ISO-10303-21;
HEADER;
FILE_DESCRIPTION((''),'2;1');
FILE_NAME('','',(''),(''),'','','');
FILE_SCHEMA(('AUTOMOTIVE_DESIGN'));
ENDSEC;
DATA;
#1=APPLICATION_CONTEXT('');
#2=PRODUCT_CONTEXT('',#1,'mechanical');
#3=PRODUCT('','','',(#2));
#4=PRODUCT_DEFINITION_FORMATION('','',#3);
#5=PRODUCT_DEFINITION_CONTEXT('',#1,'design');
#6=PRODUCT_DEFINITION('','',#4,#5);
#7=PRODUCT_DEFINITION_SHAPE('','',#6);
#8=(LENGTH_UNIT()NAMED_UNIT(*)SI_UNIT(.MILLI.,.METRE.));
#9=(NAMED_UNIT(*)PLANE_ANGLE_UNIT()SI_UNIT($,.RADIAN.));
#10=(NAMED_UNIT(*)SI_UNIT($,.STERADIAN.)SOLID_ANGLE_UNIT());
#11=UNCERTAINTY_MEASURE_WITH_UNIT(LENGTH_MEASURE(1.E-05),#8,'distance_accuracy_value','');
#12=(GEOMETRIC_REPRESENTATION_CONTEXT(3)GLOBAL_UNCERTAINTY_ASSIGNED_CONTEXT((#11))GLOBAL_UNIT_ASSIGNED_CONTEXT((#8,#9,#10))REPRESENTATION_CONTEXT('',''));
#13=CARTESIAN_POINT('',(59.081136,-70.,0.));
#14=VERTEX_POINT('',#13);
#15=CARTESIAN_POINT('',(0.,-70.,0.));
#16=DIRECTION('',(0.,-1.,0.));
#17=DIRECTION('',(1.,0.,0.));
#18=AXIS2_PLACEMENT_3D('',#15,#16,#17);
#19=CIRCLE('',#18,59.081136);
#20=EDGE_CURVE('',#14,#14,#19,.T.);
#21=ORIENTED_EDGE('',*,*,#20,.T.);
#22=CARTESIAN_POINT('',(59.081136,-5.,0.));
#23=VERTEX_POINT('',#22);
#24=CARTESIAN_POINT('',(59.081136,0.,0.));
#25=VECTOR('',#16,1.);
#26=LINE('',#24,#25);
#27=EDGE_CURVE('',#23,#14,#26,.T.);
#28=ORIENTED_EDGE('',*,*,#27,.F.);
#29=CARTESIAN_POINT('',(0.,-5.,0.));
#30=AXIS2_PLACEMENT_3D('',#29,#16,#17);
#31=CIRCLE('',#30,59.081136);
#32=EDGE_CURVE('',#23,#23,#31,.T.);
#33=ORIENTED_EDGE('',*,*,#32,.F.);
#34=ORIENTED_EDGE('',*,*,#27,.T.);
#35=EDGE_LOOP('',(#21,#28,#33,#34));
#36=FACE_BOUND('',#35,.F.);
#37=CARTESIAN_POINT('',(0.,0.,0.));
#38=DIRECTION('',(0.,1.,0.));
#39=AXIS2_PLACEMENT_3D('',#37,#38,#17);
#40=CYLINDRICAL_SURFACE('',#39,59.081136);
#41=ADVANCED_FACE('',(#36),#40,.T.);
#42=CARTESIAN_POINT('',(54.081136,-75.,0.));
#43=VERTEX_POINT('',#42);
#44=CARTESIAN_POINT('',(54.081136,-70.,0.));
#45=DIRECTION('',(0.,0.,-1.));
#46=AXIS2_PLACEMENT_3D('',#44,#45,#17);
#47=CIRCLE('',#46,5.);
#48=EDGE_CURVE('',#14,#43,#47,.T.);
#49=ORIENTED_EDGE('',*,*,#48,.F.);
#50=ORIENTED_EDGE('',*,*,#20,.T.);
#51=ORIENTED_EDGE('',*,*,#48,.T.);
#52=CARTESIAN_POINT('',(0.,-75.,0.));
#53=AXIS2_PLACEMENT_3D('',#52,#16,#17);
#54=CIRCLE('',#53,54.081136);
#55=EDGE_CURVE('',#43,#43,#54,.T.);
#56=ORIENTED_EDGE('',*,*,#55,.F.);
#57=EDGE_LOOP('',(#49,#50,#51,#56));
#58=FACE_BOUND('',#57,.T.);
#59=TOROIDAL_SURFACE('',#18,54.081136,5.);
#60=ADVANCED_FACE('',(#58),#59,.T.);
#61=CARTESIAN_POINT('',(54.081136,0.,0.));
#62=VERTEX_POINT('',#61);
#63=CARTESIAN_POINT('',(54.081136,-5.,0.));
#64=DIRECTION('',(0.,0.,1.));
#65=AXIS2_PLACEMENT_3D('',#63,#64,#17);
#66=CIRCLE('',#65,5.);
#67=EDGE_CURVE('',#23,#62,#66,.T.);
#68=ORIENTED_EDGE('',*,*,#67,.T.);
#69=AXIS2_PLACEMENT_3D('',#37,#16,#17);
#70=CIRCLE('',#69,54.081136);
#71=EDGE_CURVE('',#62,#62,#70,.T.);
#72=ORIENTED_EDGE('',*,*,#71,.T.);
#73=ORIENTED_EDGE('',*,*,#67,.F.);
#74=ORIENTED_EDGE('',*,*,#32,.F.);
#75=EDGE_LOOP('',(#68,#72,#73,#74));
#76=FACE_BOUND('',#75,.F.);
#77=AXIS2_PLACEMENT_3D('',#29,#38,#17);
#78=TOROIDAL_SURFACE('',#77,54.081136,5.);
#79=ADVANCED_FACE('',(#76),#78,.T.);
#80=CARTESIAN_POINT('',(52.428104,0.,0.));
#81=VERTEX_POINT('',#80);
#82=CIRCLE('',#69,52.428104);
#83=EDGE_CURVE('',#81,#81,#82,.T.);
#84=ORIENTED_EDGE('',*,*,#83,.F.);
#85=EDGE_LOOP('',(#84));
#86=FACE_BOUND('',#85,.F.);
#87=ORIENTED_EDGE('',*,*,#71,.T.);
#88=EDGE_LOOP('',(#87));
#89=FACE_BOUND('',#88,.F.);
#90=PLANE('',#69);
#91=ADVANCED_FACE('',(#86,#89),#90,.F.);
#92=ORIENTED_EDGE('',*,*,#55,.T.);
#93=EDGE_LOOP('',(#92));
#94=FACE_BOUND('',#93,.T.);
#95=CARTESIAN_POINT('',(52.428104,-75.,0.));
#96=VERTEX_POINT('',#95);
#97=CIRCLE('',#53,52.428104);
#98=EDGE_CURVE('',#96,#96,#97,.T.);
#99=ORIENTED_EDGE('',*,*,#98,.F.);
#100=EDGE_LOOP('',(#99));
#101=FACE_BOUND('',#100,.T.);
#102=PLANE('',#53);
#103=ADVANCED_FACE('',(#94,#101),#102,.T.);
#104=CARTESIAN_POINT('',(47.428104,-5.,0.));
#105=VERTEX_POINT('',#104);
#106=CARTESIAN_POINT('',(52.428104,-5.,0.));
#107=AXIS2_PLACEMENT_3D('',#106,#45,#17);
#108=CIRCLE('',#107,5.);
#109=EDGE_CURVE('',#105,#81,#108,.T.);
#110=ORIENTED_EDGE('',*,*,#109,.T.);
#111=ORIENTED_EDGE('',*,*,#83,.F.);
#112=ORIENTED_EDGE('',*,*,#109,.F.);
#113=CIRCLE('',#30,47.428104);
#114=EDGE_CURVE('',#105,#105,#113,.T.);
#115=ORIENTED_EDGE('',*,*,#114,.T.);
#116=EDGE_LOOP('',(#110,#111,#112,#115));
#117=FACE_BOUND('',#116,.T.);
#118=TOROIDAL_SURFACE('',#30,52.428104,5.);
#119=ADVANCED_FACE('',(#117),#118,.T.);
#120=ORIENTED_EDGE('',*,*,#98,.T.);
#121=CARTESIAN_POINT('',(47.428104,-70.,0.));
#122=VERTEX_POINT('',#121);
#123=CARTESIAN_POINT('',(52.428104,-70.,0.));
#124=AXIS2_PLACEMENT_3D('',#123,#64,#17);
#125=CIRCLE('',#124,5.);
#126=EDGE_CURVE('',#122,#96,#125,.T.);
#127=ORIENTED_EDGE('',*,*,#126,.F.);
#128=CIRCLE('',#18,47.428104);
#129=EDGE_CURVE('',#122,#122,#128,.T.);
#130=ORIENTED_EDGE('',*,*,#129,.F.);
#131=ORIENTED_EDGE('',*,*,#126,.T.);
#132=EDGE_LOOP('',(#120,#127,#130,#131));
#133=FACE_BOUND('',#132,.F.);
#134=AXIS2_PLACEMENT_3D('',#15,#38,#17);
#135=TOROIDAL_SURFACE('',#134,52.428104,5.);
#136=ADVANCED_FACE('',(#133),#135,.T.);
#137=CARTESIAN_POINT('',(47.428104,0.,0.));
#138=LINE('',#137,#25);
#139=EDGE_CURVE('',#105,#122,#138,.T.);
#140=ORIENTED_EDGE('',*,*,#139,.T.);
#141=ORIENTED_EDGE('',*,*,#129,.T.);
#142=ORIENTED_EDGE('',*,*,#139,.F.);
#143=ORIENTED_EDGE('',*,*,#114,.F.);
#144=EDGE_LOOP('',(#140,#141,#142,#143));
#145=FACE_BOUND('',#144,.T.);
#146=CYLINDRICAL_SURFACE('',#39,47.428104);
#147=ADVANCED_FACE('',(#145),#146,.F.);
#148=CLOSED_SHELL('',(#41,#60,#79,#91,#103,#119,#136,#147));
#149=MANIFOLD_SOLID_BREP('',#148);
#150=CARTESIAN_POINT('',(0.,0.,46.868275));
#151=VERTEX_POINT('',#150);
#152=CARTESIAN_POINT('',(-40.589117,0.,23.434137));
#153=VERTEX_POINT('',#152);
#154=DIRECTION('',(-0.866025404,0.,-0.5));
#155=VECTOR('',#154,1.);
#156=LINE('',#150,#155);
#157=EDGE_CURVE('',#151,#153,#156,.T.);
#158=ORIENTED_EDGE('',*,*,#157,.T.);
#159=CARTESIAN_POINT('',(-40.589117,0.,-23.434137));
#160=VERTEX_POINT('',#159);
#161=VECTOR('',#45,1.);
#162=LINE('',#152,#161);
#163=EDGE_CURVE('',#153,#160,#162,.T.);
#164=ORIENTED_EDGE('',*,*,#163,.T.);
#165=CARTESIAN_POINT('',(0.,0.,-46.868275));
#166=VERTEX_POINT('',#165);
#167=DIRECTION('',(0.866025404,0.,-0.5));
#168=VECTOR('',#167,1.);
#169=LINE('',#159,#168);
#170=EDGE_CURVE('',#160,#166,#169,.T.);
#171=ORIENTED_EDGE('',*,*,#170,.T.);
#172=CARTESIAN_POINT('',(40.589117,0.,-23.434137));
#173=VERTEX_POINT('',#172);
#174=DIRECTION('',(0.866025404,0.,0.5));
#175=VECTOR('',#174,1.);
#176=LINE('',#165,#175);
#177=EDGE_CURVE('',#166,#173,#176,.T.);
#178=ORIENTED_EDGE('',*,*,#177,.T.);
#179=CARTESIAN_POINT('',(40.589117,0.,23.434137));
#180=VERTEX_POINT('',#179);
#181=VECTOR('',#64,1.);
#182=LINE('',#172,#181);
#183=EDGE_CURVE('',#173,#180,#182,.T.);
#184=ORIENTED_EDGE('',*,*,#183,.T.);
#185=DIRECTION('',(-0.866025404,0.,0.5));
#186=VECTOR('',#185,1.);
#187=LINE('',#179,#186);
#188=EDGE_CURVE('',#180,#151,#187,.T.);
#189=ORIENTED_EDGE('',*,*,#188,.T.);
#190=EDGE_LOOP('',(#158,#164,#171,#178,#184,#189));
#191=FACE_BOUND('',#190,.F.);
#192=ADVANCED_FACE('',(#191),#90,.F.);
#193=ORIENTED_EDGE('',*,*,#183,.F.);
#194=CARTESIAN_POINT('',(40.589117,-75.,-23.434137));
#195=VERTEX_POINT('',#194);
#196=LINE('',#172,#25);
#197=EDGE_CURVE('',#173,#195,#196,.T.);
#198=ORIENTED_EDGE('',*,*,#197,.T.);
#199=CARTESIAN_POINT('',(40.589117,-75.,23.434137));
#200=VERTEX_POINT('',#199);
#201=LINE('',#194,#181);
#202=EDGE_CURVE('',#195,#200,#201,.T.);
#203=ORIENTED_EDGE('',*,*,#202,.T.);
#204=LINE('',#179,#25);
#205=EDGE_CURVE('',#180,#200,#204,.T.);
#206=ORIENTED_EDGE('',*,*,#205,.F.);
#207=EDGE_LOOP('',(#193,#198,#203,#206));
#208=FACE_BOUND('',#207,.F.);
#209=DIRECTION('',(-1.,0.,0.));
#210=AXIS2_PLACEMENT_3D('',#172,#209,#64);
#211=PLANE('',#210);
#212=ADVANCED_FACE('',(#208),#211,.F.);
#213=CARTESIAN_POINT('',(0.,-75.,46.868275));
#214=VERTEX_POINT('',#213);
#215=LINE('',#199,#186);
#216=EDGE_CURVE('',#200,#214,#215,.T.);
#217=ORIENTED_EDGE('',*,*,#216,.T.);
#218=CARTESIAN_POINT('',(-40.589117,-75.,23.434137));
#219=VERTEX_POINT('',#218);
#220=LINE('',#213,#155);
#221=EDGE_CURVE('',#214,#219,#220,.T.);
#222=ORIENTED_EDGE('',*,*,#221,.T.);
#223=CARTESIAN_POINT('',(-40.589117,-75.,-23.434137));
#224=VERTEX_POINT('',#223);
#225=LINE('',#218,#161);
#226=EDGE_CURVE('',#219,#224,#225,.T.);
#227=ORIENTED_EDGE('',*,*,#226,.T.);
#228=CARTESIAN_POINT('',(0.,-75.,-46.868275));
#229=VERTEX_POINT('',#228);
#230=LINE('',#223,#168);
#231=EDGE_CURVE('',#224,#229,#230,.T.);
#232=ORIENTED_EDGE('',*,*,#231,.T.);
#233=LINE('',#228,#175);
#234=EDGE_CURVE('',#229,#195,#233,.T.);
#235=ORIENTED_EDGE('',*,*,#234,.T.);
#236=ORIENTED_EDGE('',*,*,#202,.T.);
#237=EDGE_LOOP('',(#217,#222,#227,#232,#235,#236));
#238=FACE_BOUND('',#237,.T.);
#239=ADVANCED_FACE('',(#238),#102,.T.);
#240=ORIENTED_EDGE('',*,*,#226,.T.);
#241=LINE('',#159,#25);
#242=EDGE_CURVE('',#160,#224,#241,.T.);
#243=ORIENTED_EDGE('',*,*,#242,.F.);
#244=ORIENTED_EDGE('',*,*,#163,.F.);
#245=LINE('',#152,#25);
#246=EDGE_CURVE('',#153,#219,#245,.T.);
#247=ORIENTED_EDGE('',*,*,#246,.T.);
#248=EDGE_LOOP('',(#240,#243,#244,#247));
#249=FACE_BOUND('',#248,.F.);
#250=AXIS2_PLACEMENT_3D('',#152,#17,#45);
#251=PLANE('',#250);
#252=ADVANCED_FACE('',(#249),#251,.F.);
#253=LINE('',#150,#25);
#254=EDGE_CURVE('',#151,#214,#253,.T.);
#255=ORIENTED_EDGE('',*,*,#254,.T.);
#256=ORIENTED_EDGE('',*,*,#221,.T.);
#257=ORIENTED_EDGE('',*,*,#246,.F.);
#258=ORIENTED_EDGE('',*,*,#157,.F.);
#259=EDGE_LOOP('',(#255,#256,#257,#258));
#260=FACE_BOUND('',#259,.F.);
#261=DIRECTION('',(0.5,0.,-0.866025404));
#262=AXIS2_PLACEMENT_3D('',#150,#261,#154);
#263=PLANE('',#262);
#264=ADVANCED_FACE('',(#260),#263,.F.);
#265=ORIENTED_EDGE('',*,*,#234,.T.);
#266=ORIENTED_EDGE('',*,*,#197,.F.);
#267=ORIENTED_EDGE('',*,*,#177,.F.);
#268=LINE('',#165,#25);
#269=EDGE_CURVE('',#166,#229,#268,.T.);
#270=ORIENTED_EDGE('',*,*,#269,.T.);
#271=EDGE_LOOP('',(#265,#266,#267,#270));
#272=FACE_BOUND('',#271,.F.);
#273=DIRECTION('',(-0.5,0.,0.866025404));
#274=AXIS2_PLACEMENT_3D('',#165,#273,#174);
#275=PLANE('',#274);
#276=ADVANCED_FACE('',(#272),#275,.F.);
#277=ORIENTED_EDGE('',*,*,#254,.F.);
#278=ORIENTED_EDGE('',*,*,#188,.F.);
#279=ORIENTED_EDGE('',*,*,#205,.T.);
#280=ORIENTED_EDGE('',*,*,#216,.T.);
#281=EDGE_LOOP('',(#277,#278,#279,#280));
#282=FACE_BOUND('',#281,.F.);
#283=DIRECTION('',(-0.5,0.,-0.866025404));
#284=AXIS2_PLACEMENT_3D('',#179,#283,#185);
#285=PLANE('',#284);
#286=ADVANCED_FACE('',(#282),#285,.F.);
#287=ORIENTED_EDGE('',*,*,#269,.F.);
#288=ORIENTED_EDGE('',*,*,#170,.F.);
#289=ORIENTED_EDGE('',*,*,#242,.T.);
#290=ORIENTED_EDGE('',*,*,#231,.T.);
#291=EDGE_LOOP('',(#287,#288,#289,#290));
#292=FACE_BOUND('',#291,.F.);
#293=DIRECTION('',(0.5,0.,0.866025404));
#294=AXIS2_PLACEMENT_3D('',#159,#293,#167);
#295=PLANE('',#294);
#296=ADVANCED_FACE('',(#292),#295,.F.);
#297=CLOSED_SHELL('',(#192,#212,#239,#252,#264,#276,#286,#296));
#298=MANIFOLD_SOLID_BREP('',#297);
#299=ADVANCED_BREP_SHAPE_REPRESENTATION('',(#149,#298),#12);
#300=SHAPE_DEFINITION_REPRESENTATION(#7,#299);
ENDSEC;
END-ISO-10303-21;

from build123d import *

# Parameters (mm, degrees)
F0_R     = 59.0811363779
F0_R_2   = 47.4281042848
F1_DEPTH = 75
F2_R     = 5
F5_DEPTH = 75


with BuildPart() as f1:
    # F0 (on Front) → F1 (new body)
    with BuildSketch(Plane.XZ):
        Circle(F0_R)
        Circle(F0_R_2, mode=Mode.SUBTRACT)
    extrude(amount=F1_DEPTH)

    # F2
    f2_edges = [f1.edges().sort_by_distance(p)[0] for p in [
        (-59.081136, -75, 0),
        (-47.428104, -75, 0),
        (-59.081136, 0, 0),
        (-47.428104, 0, 0),
    ]]
    fillet(f2_edges, radius=F2_R)


with BuildPart() as f5:
    # F4 (on Front) → F5 (new body)
    with BuildSketch(Plane.XZ):
        Polygon((39.2727144063, 23.9146705717), (-0.5921763534, 0.3075277073), (39.2727144063, -22.5982666016), align=None)
    extrude(amount=F5_DEPTH)


with BuildPart() as f5b:
    # F4 (on Front) → F5, piece 2 (new body)
    with BuildSketch(Plane.XZ):
        Polygon((-0.5921763534, 0.3075277073), (-40.1503182948, 23.0370685458), (-39.2727144063, -22.5982666016), align=None)
    extrude(amount=F5_DEPTH)


with BuildPart() as f5c:
    # F3 (on Front) → F5, piece 3 (new body)
    with BuildSketch(Plane.XZ):
        Polygon((40.5891165137, -23.4341373454), (40.5891165137, 23.4341373454), (0, 46.8682746907), (-40.5891165137, 23.4341373454), (-40.5891165137, -23.4341373454), (0, -46.8682746907), align=None)
    extrude(amount=F5_DEPTH)


solid = Compound([f1.part, f5c.part])
